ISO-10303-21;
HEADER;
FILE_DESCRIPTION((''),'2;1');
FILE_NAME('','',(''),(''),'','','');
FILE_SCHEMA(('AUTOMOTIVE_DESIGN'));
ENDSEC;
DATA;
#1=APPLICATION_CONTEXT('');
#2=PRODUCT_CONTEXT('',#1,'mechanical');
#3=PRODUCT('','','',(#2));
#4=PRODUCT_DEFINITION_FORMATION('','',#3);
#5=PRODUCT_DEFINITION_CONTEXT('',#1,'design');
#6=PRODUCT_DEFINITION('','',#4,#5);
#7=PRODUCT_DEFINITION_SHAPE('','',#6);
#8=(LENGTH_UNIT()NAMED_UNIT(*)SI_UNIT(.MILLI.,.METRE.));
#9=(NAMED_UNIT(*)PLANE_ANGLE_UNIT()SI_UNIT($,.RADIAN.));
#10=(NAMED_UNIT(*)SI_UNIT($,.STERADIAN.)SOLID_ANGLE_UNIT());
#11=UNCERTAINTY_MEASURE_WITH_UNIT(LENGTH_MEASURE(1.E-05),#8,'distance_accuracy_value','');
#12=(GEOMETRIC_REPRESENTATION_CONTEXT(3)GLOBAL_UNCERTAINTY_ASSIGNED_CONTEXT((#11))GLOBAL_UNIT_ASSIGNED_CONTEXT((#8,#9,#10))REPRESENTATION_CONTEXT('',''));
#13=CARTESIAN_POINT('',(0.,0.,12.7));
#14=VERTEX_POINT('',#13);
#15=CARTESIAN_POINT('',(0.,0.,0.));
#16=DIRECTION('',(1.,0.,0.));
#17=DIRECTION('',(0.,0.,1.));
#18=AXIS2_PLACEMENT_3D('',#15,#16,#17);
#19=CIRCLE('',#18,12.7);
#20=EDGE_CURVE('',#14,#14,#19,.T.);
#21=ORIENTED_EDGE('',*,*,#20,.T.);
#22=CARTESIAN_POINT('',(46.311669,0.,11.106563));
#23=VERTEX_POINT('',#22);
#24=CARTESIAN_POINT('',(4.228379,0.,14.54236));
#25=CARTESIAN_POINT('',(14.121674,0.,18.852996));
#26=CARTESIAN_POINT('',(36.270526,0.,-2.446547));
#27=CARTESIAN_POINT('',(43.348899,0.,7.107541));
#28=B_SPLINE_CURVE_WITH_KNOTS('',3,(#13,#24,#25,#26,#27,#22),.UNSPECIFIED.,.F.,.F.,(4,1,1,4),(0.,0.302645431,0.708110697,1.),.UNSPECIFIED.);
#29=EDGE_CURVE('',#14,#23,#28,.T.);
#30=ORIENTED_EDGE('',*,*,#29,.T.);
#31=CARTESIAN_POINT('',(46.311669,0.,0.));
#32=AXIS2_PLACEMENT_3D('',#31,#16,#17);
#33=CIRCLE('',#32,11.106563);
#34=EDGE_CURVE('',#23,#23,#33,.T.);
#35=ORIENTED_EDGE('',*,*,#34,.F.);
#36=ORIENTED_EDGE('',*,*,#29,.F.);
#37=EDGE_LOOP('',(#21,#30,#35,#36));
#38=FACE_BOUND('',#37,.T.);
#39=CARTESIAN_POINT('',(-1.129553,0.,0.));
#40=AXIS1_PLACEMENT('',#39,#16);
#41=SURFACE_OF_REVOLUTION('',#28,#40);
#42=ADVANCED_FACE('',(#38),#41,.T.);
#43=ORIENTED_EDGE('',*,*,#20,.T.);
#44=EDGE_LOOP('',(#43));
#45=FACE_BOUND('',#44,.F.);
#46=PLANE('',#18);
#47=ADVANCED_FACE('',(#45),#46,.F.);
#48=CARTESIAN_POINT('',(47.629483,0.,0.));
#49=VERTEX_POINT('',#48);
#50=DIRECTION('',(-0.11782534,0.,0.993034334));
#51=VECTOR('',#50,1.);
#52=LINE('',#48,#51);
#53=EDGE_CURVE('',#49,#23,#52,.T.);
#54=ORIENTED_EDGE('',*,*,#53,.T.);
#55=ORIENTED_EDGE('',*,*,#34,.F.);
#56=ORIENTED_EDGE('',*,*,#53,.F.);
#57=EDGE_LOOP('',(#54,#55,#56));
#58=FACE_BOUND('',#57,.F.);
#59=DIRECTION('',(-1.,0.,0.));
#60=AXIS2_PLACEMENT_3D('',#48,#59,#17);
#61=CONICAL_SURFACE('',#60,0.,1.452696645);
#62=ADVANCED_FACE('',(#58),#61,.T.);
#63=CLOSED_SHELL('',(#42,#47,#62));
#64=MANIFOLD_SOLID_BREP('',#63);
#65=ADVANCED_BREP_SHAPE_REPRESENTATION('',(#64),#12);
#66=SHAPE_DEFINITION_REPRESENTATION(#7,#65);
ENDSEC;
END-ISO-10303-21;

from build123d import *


with BuildPart() as f1:
    # F0 (on Front) → F1 (revolve)
    with BuildSketch(Plane.XZ):
        with BuildLine():
            Line((0, 12.7), (0, 0))
            Line((0, 0), (47.6294830441, 0))
            Line((47.6294830441, 0), (46.3116690516, 11.1065628007))
            add(Edge.make_bspline(
                [(0, 12.7), (4.2283791404, 14.5423596139), (14.1216740385, 18.8529964709), (36.2705263385, -2.4465474721), (43.3488989691, 7.1075408976), (46.3116690516, 11.1065628007)],
                knots=[0, 0, 0, 0, 0.3026454312, 0.708110697, 1, 1, 1, 1], degree=3))
        make_face()
    revolve(axis=Axis((-1.129552722, 0, 0), (1, 0, 0)))


solid = f1.part
